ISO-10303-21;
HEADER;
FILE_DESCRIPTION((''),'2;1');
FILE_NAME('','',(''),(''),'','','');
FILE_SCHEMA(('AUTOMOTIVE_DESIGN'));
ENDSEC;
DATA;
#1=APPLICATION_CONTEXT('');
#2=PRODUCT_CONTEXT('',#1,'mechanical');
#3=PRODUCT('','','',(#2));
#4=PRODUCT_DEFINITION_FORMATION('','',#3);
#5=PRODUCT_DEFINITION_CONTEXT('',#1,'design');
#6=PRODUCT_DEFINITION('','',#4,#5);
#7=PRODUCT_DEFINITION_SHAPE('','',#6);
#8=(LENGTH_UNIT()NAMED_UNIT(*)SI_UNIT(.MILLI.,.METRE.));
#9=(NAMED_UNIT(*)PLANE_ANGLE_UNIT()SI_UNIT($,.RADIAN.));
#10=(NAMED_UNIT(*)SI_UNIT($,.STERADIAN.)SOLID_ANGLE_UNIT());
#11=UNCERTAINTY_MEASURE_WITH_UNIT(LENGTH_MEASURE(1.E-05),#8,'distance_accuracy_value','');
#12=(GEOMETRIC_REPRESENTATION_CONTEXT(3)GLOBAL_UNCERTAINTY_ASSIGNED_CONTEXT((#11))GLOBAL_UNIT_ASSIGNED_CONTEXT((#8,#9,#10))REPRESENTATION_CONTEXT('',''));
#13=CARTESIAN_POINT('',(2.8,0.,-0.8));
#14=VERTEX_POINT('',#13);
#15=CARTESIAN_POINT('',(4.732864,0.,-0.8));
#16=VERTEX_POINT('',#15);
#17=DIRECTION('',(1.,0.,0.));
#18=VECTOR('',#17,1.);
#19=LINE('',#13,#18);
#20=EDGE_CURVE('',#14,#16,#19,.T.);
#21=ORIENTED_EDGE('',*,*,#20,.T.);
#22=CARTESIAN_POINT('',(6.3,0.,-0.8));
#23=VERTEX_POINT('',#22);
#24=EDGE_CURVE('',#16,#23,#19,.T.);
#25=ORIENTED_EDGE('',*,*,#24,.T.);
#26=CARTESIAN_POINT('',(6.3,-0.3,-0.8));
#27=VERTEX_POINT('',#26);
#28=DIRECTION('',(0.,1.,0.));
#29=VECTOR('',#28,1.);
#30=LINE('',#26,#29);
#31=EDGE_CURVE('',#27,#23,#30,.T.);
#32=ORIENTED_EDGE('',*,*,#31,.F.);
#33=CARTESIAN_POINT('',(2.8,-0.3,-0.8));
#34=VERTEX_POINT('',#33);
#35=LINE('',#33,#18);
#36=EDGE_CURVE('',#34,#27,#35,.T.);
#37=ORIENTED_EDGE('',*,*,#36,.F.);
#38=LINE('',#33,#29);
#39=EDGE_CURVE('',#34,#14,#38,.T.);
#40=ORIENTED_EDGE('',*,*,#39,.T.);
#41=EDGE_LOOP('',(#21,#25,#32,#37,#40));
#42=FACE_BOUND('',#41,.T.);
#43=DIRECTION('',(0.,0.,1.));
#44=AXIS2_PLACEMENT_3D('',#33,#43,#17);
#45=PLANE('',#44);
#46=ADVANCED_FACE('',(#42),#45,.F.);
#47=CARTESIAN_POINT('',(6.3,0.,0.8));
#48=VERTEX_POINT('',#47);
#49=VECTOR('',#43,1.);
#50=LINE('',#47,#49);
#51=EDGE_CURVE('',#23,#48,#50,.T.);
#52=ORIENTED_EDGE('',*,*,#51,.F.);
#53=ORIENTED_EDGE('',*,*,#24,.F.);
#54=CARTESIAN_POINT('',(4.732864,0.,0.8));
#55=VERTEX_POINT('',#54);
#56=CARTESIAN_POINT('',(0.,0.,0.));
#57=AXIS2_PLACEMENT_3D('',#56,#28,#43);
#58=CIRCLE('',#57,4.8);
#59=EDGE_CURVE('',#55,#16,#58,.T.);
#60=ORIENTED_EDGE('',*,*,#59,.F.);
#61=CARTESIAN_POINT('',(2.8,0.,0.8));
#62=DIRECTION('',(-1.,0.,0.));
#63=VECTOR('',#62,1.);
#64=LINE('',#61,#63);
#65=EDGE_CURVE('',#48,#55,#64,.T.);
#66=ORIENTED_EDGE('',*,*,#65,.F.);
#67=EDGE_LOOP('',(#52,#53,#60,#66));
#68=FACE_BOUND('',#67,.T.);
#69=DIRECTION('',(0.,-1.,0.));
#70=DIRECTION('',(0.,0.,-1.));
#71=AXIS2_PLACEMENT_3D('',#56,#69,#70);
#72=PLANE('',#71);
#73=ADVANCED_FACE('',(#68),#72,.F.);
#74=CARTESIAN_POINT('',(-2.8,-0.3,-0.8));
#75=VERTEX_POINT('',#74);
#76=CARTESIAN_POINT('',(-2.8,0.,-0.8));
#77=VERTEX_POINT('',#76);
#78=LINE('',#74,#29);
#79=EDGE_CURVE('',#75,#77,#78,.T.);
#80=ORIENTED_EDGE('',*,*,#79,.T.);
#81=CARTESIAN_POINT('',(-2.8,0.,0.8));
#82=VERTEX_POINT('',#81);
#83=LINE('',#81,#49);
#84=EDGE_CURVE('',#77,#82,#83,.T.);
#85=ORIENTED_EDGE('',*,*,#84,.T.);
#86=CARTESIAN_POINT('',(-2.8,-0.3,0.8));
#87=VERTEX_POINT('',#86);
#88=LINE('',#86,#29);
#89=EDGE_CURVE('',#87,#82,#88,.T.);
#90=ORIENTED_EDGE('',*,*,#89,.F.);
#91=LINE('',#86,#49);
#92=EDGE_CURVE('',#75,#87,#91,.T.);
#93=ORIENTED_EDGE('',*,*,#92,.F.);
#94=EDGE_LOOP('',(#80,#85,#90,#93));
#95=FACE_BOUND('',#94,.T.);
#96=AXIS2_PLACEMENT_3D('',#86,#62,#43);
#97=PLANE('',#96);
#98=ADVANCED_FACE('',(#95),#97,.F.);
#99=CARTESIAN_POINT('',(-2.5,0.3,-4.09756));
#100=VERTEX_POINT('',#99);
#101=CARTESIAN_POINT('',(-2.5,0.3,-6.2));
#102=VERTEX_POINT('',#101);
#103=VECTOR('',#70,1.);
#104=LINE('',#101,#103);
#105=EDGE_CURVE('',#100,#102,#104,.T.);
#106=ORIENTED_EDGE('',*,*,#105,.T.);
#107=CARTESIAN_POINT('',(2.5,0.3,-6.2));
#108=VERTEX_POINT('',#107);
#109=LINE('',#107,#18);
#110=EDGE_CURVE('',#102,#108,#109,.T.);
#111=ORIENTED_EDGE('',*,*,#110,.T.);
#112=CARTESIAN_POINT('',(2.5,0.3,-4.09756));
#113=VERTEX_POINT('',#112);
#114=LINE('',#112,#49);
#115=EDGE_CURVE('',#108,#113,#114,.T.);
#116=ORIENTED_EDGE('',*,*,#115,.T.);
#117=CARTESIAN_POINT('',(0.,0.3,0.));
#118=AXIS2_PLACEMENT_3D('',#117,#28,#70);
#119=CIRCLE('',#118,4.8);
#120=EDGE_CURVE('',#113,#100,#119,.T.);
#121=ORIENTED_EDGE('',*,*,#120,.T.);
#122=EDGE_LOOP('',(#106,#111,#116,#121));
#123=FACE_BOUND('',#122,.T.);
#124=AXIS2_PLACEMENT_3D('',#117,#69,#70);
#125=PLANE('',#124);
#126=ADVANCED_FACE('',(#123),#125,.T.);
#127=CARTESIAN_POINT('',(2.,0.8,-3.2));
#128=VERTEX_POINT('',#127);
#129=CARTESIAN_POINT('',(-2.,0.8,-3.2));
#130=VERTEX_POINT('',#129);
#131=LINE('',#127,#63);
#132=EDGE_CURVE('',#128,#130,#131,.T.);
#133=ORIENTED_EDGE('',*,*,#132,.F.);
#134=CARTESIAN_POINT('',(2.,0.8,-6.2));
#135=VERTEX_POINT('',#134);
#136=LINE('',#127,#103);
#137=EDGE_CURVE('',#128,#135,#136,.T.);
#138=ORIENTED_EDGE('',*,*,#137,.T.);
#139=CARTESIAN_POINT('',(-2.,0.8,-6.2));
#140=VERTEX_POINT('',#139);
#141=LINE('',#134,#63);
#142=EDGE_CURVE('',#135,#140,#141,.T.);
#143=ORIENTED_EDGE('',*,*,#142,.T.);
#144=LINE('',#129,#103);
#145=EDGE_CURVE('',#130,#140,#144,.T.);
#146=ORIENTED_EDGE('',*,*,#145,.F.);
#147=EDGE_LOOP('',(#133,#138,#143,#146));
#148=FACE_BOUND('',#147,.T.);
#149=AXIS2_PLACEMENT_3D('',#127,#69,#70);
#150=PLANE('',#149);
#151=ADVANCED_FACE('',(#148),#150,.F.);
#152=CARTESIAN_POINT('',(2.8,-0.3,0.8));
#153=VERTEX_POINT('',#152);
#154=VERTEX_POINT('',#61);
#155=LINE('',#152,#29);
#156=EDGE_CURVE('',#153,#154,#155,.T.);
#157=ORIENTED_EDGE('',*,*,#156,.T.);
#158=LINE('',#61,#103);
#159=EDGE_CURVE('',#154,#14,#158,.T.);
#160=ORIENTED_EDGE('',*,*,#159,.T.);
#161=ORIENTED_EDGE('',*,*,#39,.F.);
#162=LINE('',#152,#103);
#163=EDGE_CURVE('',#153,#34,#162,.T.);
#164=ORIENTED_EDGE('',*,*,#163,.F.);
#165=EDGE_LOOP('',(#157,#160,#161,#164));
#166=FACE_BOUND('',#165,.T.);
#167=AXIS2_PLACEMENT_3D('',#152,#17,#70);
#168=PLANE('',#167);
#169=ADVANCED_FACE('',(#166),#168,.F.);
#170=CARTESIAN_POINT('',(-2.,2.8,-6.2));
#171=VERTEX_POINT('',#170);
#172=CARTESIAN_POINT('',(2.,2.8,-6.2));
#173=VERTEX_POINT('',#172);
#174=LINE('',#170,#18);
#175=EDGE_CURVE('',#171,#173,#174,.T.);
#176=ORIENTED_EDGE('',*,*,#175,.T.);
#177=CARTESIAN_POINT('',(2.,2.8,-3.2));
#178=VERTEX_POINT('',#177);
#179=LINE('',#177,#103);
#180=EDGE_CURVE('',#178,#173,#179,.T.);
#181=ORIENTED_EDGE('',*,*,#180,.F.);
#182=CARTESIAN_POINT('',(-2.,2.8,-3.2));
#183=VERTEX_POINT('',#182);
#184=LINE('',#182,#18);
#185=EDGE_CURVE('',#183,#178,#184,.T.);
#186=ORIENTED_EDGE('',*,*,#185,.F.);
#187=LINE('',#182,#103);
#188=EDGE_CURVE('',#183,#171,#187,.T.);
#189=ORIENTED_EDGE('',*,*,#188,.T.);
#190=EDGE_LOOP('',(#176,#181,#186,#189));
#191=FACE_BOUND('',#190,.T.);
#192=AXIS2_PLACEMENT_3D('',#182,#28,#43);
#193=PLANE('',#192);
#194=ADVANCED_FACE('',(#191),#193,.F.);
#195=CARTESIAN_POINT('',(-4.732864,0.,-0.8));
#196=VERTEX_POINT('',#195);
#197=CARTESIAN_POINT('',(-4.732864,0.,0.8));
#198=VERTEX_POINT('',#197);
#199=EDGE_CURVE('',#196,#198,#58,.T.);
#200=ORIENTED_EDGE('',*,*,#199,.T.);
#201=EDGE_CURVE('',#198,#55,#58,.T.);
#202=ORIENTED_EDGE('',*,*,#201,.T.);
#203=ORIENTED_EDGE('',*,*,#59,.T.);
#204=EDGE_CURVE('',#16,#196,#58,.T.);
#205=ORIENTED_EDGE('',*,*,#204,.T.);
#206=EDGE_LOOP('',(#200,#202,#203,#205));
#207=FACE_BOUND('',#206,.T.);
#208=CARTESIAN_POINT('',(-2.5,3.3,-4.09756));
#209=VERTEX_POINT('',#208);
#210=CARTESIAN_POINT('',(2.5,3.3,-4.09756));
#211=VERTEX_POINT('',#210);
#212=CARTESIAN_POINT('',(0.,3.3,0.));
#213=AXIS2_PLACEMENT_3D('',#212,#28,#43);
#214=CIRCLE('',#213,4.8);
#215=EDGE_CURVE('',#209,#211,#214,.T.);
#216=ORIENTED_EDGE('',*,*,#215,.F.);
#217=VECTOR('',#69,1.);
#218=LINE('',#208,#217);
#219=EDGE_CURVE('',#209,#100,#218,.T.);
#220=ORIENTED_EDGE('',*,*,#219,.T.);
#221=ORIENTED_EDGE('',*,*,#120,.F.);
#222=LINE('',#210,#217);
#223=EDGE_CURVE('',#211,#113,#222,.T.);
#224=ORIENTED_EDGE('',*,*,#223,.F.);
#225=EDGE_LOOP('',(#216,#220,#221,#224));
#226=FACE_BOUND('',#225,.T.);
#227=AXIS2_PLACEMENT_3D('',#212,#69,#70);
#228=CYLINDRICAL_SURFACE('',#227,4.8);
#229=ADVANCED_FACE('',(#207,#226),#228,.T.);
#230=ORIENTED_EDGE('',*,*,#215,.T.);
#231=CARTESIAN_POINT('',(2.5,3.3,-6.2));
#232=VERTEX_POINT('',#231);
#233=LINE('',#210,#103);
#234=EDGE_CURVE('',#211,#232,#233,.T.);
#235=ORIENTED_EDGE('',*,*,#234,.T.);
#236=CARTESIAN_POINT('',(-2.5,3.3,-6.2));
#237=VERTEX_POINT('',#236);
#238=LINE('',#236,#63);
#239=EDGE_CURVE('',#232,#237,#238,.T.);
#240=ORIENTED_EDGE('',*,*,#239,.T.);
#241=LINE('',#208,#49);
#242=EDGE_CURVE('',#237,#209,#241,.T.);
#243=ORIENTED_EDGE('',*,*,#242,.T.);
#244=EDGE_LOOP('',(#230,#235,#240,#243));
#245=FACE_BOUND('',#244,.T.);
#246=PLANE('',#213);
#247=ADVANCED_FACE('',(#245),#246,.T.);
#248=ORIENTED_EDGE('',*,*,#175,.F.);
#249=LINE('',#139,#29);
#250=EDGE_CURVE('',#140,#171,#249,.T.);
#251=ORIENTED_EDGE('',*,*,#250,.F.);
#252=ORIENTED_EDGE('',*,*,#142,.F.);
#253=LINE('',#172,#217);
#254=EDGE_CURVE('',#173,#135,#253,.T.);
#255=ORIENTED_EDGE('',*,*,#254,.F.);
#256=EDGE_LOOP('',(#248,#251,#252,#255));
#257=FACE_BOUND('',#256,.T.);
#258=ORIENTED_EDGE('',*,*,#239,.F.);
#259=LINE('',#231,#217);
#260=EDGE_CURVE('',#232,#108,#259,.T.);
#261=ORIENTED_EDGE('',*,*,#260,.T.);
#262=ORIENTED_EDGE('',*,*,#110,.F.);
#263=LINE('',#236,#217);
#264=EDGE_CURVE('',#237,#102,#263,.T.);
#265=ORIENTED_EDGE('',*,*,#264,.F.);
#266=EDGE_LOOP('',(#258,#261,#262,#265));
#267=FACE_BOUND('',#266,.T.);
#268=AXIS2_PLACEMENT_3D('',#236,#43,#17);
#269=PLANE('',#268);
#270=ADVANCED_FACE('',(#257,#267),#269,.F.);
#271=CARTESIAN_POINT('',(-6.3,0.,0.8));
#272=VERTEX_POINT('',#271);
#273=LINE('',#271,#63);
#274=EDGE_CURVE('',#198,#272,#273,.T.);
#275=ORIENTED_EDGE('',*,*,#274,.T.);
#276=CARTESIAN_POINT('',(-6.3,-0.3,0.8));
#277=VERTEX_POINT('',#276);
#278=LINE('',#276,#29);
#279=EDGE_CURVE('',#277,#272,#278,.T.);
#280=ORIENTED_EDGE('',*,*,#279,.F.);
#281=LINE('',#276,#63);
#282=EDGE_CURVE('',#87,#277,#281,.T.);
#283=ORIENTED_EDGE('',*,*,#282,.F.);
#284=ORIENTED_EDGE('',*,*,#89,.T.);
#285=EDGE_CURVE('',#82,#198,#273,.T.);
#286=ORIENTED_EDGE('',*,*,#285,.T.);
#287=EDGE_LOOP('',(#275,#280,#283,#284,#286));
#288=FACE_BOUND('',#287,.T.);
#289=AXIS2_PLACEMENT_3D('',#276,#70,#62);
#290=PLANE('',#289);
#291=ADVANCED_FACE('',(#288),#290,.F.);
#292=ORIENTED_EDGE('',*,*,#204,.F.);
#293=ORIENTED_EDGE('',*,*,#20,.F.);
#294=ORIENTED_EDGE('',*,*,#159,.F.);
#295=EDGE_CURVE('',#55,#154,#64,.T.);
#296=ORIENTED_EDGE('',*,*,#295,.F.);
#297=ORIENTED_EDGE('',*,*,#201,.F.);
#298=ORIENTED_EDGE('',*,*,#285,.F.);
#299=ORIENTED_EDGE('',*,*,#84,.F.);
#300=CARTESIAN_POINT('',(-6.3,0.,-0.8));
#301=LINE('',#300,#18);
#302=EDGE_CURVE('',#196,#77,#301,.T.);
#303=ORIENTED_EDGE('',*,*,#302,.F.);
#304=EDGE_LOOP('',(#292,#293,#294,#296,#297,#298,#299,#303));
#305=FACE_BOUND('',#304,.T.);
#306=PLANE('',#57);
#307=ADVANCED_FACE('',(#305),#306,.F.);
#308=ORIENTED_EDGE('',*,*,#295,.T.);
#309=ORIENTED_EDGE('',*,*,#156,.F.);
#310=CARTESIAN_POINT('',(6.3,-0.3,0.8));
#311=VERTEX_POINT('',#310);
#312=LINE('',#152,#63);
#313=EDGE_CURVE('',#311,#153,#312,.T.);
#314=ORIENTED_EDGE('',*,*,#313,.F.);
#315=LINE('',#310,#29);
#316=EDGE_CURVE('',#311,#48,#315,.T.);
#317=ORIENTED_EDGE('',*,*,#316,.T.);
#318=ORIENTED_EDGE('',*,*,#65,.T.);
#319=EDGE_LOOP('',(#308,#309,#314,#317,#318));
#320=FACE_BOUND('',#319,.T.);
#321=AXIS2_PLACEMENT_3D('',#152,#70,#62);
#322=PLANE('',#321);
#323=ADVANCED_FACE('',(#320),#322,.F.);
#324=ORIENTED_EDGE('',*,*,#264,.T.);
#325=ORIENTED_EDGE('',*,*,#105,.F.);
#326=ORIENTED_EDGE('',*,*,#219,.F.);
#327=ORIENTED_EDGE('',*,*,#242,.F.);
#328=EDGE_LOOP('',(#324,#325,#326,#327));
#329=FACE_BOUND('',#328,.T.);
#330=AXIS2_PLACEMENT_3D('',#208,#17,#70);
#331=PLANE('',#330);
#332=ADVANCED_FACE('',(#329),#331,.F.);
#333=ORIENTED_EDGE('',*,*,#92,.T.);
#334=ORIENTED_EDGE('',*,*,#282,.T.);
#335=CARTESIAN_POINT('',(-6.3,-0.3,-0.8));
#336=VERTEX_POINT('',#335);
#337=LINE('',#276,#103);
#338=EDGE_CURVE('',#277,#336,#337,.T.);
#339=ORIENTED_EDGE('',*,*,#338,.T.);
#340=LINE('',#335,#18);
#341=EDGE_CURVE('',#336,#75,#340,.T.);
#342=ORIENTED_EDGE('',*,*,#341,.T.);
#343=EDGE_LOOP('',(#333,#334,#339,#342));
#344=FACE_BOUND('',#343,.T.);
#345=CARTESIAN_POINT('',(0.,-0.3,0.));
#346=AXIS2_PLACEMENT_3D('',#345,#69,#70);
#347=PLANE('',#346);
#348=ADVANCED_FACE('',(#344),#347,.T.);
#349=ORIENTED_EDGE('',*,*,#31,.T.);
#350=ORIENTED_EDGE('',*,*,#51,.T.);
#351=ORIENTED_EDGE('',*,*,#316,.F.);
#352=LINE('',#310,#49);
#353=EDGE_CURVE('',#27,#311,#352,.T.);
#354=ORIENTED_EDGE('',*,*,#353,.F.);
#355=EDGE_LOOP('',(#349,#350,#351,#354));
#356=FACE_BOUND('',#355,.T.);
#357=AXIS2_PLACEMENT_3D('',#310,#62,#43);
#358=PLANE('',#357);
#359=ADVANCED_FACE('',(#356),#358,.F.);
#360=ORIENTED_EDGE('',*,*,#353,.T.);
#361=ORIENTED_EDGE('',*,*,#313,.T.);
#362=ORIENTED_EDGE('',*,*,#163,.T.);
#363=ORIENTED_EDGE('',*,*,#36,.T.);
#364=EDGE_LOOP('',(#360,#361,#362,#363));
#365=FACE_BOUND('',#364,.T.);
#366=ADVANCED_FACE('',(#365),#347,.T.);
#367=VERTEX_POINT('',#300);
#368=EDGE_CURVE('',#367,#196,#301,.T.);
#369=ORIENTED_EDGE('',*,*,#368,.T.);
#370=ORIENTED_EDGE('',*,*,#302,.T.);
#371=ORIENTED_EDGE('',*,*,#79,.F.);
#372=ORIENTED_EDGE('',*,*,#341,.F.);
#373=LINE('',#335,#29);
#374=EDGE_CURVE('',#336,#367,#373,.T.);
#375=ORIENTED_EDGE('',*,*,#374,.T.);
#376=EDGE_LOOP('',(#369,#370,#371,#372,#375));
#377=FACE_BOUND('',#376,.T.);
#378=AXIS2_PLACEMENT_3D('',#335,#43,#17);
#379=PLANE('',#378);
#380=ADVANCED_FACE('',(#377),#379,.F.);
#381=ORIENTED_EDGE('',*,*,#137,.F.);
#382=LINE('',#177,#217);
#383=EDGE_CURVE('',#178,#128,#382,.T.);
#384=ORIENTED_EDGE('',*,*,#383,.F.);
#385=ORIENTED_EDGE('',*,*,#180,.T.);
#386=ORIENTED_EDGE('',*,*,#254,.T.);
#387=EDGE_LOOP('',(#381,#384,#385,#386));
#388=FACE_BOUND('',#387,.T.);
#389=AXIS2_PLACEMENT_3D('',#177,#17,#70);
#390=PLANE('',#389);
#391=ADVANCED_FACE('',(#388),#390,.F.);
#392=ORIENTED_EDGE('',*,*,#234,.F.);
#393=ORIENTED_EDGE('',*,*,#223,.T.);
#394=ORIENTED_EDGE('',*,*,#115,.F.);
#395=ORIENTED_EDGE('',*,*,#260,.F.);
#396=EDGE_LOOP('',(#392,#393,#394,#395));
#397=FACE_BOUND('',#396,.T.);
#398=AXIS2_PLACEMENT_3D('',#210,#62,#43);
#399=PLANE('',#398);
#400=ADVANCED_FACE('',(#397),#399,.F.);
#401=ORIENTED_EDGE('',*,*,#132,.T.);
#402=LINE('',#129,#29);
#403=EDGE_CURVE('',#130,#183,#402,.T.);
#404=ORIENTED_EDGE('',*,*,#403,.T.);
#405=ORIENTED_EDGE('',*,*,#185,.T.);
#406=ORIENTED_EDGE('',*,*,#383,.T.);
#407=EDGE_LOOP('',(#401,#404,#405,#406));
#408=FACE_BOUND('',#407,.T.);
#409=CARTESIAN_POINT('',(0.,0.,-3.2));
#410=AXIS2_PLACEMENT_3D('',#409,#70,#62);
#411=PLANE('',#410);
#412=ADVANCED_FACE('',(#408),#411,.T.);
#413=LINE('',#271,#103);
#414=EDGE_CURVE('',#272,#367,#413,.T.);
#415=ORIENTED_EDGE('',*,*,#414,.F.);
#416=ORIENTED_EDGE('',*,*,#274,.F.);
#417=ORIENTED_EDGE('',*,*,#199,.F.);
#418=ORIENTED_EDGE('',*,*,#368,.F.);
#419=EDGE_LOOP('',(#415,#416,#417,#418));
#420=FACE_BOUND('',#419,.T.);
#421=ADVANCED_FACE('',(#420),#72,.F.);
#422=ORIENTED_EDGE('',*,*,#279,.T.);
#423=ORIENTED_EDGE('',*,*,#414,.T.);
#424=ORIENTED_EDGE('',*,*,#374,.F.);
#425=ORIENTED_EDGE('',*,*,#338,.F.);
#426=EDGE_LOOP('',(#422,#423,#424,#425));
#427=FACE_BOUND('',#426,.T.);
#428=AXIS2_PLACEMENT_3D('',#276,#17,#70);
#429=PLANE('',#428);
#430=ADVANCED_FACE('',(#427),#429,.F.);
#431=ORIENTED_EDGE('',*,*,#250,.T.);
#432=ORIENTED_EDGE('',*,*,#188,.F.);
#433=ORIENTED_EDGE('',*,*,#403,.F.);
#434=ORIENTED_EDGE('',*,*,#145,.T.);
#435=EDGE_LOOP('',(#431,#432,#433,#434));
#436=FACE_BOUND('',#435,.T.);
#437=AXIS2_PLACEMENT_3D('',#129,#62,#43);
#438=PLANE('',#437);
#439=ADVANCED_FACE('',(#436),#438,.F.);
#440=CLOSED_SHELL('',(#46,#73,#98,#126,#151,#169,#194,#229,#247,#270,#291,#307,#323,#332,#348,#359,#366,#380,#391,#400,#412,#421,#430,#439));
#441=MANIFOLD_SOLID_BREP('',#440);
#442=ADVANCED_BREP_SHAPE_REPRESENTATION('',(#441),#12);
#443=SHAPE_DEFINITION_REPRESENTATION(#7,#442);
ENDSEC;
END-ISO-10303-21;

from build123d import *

# Parameters (mm, degrees)
BOSS_EXTRUDE1_DEPTH = 3.3
SKETCH2_W           = 3.5
SKETCH2_H           = 1.6
BOSS_EXTRUDE2_DEPTH = 0.3
CUT_EXTRUDE1_DEPTH  = 0.3
SKETCH4_W           = 4
SKETCH4_H           = 2
CUT_EXTRUDE2_DEPTH  = 3


with BuildPart() as part:
    # Sketch1 → Boss-Extrude1 (new body)
    with BuildSketch(Plane(origin=(0, 0, 0), x_dir=(1, 0, 0), z_dir=(0, 1, 0))):
        with BuildLine():
            Line((-2.5, 4.09756025), (-2.5, 6.2))
            Line((-2.5, 6.2), (2.5, 6.2))
            Line((2.5, 6.2), (2.5, 4.09756025))
            ThreePointArc((2.5, 4.09756025), (0, -4.8), (-2.5, 4.09756025))
        make_face()
    extrude(amount=BOSS_EXTRUDE1_DEPTH)

    # Sketch2 → Boss-Extrude2 (add)
    with BuildSketch(Plane.XZ):
        with Locations((-4.55, 0)):
            Rectangle(SKETCH2_W, SKETCH2_H)
        with Locations((4.55, 0)):
            Rectangle(SKETCH2_W, SKETCH2_H)
    extrude(amount=BOSS_EXTRUDE2_DEPTH)

    # Sketch3 → Cut-Extrude1 (cut)
    with BuildSketch(Plane.XZ):
        with BuildLine():
            Line((2.5, -4.09756025), (2.5, -6.2))
            Line((2.5, -6.2), (-2.5, -6.2))
            Line((-2.5, -6.2), (-2.5, -4.09756025))
            ThreePointArc((-2.5, -4.09756025), (0, -4.8), (2.5, -4.09756025))
        make_face()
    extrude(amount=-CUT_EXTRUDE1_DEPTH, mode=Mode.SUBTRACT)

    # Sketch4 → Cut-Extrude2 (cut)
    with BuildSketch(Plane(origin=(0, 0, -6.2), x_dir=(-1, 0, 0), z_dir=(0, 0, -1))):
        with Locations((0, 1.8)):
            Rectangle(SKETCH4_W, SKETCH4_H)
    extrude(amount=-CUT_EXTRUDE2_DEPTH, mode=Mode.SUBTRACT)


solid = part.part
